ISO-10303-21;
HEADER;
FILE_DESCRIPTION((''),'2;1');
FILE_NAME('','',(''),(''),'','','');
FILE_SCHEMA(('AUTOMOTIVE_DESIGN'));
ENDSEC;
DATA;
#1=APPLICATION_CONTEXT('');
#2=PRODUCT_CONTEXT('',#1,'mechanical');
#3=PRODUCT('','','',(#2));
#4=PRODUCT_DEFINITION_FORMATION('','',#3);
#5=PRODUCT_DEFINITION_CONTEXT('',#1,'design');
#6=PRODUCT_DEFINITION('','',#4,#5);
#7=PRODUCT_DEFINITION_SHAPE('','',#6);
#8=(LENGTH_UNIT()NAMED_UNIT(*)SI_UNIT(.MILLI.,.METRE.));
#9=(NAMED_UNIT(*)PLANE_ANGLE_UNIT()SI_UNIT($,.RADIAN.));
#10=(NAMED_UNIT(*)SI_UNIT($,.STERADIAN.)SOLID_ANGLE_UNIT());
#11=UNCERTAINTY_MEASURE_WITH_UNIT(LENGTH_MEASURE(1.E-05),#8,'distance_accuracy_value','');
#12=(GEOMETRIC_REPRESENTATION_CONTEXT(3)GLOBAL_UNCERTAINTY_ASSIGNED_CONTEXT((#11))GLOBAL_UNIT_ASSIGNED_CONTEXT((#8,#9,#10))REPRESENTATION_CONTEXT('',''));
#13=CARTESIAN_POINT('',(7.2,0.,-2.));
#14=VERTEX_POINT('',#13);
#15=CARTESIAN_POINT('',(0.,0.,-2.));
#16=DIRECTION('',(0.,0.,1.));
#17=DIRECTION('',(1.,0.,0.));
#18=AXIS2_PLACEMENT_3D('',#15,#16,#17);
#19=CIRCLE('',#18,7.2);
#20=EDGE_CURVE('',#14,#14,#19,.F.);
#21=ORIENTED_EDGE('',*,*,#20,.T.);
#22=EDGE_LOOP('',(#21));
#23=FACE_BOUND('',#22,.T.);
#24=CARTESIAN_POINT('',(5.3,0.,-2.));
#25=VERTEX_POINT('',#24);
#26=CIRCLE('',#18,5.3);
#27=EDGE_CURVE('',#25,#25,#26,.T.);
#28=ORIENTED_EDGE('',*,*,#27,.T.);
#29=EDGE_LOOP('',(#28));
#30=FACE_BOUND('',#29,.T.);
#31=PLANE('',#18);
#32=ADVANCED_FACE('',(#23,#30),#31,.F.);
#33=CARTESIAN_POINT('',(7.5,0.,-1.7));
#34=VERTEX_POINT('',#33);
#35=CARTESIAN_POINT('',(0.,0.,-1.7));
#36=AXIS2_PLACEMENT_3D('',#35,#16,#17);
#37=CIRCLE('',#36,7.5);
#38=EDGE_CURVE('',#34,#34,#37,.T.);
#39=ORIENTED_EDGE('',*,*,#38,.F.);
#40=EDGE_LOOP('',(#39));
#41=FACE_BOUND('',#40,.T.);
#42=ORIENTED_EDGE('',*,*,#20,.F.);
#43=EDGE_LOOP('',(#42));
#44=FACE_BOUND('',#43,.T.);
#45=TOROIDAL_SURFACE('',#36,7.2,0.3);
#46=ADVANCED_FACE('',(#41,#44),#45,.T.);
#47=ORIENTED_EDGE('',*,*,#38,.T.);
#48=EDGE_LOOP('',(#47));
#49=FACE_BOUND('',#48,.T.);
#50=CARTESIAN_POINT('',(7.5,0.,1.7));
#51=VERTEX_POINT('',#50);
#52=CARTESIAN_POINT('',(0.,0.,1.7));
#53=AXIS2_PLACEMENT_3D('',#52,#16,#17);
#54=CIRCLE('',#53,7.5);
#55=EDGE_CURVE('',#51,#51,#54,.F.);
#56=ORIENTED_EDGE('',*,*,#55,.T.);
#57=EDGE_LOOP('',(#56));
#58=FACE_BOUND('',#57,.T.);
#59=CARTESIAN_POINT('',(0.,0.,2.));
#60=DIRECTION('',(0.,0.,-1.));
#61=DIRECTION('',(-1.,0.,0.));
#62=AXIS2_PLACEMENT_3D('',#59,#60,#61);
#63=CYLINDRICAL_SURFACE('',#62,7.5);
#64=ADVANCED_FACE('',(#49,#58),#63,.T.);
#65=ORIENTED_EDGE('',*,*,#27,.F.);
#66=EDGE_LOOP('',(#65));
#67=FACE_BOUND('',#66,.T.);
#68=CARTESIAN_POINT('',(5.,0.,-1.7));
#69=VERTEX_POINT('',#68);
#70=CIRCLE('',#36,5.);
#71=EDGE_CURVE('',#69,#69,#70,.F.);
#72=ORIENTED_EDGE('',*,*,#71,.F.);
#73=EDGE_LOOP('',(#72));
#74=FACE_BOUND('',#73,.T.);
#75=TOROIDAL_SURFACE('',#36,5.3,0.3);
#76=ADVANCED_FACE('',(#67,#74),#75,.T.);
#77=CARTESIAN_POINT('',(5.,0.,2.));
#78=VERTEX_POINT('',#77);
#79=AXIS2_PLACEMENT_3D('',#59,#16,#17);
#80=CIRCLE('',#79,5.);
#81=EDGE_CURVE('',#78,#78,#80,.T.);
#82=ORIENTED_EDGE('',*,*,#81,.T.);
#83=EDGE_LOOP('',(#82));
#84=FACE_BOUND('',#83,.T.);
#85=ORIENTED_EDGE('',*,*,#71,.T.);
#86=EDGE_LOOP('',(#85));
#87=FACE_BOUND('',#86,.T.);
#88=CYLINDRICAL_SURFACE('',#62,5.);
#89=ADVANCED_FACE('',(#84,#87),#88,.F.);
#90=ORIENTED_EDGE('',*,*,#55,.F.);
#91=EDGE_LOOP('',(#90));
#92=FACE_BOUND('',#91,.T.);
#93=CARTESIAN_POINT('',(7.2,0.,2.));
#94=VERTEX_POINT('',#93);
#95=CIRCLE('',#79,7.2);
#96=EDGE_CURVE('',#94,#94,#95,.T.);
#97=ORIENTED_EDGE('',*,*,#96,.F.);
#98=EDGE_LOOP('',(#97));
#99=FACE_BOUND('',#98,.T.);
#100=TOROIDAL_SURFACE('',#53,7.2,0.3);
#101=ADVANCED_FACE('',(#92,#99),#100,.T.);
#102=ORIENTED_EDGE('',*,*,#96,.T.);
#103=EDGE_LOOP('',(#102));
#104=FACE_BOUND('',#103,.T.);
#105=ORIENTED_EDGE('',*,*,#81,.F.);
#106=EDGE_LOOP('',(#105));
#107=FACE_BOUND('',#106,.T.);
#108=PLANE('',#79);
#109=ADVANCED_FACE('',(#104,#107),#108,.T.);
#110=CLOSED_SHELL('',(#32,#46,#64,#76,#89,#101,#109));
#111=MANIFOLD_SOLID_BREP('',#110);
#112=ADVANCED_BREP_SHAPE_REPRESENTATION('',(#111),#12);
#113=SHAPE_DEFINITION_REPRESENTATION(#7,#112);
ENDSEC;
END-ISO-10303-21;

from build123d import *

# Parameters (mm, degrees)
SKETCH1_R           = 7.5
SKETCH1_R_2         = 5
BOSS_EXTRUDE1_DEPTH = 2
FILLET2_R           = 0.3


with BuildPart() as part:
    # Sketch1 → Boss-Extrude1 (new, symmetric)
    with BuildSketch(Plane.XY):
        Circle(SKETCH1_R)
        Circle(SKETCH1_R_2, mode=Mode.SUBTRACT)
    extrude(amount=BOSS_EXTRUDE1_DEPTH, both=True)

    # Fillet2
    fillet2_edges = [part.edges().sort_by_distance(p)[0] for p in [
        (-7.5, 0, -2),
        (-7.5, 0, 2),
        (-5, 0, -2),
    ]]
    fillet(fillet2_edges, radius=FILLET2_R)


solid = part.part
